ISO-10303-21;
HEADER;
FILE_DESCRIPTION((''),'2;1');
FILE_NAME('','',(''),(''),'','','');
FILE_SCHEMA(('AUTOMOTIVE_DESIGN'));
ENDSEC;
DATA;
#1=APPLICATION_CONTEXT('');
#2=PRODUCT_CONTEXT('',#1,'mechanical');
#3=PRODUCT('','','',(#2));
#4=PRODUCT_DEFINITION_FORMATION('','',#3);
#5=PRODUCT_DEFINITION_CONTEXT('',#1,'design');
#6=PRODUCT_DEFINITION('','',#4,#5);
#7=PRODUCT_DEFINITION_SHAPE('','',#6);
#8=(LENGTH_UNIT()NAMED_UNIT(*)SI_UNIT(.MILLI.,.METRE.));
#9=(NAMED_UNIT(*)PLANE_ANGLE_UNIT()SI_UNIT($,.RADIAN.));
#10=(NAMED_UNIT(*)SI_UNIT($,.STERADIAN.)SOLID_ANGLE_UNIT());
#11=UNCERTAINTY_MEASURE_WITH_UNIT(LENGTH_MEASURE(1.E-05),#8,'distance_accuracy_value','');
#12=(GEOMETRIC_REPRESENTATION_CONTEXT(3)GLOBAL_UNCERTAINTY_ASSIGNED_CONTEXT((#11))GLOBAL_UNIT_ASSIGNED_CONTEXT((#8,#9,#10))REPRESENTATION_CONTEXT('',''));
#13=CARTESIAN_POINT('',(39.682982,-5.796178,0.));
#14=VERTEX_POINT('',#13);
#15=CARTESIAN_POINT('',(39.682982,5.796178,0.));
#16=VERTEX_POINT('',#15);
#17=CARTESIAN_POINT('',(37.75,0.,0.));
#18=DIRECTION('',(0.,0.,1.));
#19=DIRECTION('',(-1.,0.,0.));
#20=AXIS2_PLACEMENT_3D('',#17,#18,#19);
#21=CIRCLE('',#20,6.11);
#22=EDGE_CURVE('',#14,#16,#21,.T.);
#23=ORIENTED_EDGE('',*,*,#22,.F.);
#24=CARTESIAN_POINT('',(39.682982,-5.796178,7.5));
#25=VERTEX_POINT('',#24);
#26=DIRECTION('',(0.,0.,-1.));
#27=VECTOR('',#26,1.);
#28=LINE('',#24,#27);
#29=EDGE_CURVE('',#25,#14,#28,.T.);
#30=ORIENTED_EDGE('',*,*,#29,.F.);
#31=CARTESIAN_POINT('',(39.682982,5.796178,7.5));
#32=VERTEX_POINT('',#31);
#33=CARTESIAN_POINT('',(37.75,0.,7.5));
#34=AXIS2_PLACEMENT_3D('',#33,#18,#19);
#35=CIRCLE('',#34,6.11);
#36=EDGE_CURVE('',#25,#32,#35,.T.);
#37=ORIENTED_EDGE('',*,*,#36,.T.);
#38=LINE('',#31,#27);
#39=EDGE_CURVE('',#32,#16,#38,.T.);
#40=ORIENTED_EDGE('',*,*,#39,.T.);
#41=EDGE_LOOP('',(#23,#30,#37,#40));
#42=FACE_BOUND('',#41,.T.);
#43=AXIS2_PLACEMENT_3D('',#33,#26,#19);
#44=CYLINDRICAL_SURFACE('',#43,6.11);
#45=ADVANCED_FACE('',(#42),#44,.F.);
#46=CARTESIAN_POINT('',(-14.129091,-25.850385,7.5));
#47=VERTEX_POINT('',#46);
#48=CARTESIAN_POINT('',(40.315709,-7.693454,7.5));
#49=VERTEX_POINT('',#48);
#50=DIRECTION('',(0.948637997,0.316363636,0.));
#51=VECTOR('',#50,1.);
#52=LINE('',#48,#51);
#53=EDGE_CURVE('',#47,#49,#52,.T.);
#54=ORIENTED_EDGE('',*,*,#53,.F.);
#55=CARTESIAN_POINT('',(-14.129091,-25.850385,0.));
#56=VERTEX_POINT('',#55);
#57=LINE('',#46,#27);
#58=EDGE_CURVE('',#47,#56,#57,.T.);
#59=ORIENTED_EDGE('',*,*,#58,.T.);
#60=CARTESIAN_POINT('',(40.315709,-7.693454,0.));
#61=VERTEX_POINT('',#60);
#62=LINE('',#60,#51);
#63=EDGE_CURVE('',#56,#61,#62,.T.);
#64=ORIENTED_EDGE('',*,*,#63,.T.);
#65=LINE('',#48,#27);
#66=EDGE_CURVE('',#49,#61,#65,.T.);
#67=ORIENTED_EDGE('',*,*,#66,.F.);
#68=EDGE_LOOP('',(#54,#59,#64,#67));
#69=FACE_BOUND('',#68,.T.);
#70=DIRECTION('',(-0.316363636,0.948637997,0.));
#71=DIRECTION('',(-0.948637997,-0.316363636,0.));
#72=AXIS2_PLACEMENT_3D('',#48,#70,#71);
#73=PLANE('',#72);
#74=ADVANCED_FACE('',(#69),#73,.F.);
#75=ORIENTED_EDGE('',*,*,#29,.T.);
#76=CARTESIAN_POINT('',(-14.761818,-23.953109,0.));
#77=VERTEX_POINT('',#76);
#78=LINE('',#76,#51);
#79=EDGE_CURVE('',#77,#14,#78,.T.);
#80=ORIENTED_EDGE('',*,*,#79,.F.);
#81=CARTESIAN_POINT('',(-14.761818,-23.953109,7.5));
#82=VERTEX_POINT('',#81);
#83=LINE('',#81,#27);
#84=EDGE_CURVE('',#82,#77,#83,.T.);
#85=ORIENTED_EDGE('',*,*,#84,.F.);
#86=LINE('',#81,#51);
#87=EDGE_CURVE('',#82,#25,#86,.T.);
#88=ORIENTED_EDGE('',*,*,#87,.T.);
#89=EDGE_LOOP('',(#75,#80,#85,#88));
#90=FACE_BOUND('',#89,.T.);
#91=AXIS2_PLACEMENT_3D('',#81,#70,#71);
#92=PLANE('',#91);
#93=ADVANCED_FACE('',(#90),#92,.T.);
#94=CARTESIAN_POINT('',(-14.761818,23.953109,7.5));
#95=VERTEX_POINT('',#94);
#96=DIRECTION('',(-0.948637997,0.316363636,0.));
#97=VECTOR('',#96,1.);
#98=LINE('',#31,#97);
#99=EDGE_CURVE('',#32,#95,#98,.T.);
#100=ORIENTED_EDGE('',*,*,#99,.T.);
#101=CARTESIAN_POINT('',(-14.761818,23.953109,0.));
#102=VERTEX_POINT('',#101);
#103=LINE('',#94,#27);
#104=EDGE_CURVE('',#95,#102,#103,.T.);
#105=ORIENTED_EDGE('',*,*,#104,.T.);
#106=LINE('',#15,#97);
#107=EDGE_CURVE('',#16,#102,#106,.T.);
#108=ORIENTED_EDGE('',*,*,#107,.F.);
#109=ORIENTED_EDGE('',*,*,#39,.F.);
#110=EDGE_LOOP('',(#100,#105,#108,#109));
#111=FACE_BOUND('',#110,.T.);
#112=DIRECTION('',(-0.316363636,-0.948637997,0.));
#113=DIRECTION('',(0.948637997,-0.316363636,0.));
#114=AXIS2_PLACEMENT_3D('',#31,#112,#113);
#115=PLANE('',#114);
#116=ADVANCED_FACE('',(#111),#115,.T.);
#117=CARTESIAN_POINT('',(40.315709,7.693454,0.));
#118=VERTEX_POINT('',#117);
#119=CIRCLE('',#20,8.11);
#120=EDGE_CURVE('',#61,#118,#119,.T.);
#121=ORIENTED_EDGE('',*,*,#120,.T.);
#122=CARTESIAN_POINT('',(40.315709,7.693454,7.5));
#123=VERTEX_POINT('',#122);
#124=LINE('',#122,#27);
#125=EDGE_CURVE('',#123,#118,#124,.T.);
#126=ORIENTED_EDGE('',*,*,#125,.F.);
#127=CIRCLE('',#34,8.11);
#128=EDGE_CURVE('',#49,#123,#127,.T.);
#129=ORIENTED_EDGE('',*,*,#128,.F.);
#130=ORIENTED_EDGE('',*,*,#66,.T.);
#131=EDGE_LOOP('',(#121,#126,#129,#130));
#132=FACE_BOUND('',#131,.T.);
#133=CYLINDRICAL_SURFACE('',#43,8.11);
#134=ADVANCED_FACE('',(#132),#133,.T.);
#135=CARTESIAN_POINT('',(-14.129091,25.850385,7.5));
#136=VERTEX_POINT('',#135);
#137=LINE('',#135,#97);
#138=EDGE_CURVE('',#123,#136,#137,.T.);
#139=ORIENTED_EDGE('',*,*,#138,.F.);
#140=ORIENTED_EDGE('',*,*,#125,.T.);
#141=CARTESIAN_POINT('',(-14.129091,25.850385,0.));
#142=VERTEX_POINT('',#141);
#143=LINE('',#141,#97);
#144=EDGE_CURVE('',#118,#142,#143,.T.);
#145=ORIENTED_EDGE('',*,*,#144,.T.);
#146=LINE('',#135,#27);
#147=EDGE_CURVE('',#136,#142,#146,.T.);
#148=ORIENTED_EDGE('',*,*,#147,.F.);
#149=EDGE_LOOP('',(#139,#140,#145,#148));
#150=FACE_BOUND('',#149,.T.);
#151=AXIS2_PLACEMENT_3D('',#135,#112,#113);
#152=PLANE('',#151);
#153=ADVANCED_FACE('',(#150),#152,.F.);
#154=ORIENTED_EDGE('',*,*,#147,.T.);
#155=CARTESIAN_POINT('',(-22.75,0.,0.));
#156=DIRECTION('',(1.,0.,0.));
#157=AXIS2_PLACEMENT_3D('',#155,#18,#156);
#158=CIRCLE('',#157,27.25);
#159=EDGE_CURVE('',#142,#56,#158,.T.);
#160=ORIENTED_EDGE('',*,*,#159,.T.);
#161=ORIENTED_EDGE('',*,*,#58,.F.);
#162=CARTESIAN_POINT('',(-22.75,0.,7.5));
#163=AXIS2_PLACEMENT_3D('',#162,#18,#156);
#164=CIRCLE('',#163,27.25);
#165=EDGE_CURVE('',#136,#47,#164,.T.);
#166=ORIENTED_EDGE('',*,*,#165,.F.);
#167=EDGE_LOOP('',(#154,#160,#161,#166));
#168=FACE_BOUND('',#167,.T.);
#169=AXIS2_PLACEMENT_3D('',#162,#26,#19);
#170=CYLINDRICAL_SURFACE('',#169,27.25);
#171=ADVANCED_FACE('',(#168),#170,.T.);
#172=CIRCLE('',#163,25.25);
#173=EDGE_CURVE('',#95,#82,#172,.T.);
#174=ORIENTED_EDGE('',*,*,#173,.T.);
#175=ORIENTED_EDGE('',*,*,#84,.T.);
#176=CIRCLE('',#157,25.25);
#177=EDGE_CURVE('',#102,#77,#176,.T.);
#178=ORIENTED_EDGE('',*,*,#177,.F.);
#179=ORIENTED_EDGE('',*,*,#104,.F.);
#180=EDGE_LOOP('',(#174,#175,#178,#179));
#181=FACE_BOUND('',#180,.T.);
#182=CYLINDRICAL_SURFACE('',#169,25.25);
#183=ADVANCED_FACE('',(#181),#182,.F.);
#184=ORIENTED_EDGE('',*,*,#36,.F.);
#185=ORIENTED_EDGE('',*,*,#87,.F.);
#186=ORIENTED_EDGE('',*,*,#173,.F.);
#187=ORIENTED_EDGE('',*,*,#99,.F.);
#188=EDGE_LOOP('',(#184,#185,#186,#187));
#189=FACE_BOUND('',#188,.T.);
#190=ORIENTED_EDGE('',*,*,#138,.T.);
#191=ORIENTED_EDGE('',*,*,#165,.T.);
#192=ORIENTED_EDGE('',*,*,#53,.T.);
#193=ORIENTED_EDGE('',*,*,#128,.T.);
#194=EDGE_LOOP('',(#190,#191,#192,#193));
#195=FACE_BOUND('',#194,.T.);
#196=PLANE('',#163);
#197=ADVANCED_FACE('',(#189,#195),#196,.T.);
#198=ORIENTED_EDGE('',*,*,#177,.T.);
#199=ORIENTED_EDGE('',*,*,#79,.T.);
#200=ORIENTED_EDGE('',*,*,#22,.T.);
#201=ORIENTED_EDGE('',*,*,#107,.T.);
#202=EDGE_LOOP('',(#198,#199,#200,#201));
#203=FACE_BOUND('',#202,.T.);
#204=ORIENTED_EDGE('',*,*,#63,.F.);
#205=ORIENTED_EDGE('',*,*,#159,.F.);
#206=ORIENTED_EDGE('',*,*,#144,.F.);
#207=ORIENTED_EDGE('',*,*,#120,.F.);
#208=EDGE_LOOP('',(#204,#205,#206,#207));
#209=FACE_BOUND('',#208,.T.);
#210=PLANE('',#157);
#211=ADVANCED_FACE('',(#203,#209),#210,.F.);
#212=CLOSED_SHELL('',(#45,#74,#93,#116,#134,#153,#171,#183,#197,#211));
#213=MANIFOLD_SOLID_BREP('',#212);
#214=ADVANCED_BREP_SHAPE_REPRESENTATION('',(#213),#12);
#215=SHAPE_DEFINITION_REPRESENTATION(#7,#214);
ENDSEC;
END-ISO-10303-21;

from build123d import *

# Parameters (mm, degrees)
BOSS_EXTRUDE1_DEPTH = 7.5


with BuildPart() as part:
    # Sketch1 → Boss-Extrude1 (new body)
    with BuildSketch(Plane.XY):
        with BuildLine():
            Line((-14.129090909, 25.850385422), (40.315709091, 7.693454157))
            ThreePointArc((40.315709091, 7.693454157), (45.86, 0), (40.315709091, -7.693454157))
            Line((40.315709091, -7.693454157), (-14.129090909, -25.850385422))
            ThreePointArc((-14.129090909, -25.850385422), (-50, 0), (-14.129090909, 25.850385422))
        make_face()
        with BuildLine():
            Line((39.682981818, 5.796178162), (-14.761818182, 23.953109427))
            ThreePointArc((-14.761818182, 23.953109427), (-48, 0), (-14.761818182, -23.953109427))
            Line((-14.761818182, -23.953109427), (39.682981818, -5.796178162))
            ThreePointArc((39.682981818, -5.796178162), (43.86, 0), (39.682981818, 5.796178162))
        make_face(mode=Mode.SUBTRACT)
    extrude(amount=BOSS_EXTRUDE1_DEPTH)


solid = part.part
